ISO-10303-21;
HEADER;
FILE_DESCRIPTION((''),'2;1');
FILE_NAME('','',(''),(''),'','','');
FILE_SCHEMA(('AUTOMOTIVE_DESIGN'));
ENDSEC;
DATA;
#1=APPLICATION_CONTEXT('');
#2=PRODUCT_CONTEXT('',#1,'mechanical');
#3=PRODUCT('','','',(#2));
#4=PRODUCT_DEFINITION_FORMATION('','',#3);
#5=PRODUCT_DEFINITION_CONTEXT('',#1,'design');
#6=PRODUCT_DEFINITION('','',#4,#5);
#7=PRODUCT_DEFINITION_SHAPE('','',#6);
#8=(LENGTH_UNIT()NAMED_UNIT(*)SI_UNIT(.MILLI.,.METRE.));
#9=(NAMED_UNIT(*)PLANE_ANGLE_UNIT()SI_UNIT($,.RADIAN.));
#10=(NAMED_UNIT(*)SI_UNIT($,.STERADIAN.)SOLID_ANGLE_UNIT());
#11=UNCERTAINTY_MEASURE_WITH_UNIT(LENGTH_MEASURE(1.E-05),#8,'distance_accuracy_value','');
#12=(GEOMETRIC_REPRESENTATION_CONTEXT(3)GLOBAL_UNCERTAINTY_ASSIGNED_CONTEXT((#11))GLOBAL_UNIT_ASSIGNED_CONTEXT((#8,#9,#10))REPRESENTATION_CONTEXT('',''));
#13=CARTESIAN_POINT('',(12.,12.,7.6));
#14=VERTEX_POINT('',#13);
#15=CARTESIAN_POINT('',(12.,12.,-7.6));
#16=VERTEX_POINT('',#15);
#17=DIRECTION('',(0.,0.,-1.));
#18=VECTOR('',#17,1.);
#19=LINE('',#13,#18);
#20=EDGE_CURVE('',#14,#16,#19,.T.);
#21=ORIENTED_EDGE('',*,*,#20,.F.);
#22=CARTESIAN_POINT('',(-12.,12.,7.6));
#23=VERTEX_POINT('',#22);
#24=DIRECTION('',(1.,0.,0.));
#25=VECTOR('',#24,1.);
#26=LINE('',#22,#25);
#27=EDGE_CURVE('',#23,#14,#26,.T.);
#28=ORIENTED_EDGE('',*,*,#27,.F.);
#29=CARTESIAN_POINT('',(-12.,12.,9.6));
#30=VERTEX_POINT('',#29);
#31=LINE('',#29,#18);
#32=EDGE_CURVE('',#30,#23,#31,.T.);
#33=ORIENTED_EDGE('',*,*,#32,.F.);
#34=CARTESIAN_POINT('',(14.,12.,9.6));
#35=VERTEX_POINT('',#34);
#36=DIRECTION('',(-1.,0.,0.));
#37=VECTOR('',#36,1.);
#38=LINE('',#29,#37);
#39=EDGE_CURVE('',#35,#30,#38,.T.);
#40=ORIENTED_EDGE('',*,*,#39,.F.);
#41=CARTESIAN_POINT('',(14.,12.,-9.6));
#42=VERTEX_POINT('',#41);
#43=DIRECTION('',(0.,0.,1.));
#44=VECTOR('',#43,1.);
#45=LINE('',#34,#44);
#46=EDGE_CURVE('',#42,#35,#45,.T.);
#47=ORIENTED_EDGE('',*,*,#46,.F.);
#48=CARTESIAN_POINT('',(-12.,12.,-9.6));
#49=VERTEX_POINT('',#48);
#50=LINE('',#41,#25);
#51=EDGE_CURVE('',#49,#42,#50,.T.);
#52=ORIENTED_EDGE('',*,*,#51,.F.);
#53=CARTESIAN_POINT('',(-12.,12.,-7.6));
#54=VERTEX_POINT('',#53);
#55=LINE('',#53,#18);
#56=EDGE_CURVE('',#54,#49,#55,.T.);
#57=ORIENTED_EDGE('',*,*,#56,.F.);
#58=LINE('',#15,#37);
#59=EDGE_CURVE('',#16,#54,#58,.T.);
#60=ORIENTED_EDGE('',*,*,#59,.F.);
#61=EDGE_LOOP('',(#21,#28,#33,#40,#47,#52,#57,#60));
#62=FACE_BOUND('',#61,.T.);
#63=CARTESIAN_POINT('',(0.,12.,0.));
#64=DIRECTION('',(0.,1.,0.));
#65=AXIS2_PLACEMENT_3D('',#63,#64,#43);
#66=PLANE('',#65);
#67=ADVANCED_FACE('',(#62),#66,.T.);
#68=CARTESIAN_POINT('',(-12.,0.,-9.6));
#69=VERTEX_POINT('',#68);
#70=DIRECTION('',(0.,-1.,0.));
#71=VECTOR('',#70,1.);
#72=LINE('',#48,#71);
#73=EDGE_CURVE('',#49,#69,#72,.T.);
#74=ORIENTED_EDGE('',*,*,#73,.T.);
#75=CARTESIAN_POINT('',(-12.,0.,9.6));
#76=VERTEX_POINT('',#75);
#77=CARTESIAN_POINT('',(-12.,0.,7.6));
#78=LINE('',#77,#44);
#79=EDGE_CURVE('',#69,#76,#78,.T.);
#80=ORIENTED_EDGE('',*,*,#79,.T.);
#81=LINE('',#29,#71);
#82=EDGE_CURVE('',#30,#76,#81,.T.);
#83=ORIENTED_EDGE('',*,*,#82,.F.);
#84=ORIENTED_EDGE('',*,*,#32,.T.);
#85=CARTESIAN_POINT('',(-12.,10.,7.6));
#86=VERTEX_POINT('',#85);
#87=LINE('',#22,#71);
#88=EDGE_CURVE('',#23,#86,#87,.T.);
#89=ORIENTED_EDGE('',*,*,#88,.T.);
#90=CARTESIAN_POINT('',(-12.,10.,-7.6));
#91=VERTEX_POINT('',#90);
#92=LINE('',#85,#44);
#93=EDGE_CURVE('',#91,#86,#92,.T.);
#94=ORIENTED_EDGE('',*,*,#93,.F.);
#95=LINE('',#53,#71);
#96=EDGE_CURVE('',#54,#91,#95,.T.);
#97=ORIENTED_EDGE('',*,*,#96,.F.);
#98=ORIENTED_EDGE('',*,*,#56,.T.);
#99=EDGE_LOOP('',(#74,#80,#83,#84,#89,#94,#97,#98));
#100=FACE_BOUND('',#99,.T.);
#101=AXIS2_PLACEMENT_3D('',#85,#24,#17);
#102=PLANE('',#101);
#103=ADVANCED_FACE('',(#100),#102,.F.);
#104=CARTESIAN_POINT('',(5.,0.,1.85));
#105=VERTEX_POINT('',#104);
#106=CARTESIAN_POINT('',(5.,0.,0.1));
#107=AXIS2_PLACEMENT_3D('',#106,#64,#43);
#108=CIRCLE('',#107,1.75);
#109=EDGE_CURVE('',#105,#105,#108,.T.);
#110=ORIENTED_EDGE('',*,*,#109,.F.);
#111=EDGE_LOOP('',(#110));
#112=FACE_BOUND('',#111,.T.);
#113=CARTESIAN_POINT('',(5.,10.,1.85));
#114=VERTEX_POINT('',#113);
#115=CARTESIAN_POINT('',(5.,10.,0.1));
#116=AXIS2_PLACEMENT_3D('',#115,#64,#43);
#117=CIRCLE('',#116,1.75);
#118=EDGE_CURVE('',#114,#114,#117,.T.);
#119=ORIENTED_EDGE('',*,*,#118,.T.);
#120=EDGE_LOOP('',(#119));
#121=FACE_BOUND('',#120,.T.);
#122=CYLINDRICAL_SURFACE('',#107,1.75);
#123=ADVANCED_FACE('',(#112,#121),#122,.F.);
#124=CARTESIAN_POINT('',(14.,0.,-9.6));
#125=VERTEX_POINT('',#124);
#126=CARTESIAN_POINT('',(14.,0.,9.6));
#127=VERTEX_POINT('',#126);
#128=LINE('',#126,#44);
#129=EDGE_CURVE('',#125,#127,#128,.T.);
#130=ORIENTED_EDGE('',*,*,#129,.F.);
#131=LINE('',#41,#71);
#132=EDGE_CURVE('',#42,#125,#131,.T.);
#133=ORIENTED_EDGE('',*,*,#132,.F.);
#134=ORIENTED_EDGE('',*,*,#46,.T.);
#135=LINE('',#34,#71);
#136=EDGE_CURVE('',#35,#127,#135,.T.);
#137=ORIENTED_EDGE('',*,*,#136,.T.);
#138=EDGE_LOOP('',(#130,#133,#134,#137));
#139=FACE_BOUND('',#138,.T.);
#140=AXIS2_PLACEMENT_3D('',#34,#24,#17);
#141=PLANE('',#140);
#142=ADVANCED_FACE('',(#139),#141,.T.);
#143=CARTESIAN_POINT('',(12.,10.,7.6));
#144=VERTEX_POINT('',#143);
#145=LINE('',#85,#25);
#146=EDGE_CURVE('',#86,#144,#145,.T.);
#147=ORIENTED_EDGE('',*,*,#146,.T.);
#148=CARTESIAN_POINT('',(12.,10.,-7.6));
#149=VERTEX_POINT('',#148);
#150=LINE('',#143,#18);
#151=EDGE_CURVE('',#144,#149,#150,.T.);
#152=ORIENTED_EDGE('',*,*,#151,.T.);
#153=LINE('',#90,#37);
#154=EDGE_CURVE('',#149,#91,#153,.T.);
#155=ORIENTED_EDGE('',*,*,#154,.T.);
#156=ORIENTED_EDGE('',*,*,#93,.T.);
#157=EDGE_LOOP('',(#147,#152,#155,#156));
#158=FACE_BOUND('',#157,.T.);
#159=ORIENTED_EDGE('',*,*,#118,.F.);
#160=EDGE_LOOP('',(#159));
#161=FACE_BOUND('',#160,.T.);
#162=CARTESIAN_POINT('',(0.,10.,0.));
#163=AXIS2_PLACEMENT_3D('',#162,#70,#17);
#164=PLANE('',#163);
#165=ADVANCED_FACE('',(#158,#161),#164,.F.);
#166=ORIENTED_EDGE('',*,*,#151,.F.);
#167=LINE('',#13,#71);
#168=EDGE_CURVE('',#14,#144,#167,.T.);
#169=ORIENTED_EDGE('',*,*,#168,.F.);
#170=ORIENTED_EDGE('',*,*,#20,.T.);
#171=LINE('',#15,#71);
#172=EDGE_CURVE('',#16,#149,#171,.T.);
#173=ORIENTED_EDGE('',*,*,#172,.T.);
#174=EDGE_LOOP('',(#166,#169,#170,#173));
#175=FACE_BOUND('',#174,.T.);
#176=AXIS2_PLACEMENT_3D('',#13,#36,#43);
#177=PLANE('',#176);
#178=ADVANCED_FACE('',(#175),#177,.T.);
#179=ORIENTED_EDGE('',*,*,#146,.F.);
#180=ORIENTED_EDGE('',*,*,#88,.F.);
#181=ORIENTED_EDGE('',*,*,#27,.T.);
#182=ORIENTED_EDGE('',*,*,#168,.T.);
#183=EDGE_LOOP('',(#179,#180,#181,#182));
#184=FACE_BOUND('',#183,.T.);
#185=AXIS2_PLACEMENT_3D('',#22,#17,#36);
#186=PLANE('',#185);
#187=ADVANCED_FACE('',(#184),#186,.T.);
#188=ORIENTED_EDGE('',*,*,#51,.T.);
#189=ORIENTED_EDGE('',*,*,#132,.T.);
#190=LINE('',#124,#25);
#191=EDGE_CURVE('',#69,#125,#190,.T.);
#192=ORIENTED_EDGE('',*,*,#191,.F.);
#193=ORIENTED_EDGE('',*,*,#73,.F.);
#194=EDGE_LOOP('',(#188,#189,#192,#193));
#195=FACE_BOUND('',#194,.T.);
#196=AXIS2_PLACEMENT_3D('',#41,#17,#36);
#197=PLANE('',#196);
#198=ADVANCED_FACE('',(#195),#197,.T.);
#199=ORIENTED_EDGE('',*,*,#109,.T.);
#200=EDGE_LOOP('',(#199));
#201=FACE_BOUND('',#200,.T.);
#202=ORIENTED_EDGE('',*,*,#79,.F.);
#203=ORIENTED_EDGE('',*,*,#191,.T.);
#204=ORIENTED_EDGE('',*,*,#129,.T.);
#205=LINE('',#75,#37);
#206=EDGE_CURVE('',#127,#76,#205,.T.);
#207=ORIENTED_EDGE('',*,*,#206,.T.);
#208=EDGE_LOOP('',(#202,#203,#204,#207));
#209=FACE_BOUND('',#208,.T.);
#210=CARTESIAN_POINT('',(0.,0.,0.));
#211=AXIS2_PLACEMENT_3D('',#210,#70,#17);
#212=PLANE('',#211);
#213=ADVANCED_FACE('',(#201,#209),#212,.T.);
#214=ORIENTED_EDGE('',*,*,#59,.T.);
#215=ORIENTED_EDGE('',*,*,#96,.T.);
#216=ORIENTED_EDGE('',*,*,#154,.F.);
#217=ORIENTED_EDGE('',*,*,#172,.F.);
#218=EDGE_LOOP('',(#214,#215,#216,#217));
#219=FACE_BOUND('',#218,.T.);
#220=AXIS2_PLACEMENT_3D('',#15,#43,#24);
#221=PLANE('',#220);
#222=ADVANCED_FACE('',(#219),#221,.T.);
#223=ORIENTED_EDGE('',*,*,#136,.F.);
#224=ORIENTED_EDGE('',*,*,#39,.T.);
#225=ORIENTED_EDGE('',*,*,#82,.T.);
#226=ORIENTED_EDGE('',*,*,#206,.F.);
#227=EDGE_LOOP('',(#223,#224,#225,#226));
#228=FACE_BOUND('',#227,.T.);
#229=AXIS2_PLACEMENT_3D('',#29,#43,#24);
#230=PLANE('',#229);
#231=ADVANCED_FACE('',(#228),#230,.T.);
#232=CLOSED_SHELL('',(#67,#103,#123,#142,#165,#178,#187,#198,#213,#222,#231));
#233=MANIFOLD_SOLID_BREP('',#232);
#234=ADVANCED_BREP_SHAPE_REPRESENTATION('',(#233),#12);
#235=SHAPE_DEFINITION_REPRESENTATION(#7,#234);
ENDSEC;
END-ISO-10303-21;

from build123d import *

# Parameters (mm, degrees)
SKETCH1_W           = 24
SKETCH1_H           = 15.2
BOSS_EXTRUDE1_DEPTH = 10
SKETCH3_R           = 1.75
CUT_EXTRUDE1_DEPTH  = 10
BOSS_EXTRUDE2_DEPTH = 12


with BuildPart() as part:
    # Sketch1 → Boss-Extrude1 (new body)
    with BuildSketch(Plane(origin=(0, 0, 0), x_dir=(1, 0, 0), z_dir=(0, 1, 0))):
        Rectangle(SKETCH1_W, SKETCH1_H)
    extrude(amount=BOSS_EXTRUDE1_DEPTH)

    # Sketch3 → Cut-Extrude1 (cut)
    with BuildSketch(Plane(origin=(0, 10, 0), x_dir=(1, 0, 0), z_dir=(0, 1, 0))):
        with Locations(Location((5, -0.1, 0), (0, 0, 270))):
            Circle(SKETCH3_R)
    extrude(amount=-CUT_EXTRUDE1_DEPTH, mode=Mode.SUBTRACT)

    # Sketch4 → Boss-Extrude2 (add)
    with BuildSketch(Plane(origin=(0, 0, 0), x_dir=(-1, 0, 0), z_dir=(0, -1, 0))):
        Polygon((12, -9.6), (12, -7.6), (-12, -7.6), (-12, 7.6), (12, 7.6), (12, 9.6), (-14, 9.6), (-14, -9.6), align=None)
    extrude(amount=-BOSS_EXTRUDE2_DEPTH)


solid = part.part
